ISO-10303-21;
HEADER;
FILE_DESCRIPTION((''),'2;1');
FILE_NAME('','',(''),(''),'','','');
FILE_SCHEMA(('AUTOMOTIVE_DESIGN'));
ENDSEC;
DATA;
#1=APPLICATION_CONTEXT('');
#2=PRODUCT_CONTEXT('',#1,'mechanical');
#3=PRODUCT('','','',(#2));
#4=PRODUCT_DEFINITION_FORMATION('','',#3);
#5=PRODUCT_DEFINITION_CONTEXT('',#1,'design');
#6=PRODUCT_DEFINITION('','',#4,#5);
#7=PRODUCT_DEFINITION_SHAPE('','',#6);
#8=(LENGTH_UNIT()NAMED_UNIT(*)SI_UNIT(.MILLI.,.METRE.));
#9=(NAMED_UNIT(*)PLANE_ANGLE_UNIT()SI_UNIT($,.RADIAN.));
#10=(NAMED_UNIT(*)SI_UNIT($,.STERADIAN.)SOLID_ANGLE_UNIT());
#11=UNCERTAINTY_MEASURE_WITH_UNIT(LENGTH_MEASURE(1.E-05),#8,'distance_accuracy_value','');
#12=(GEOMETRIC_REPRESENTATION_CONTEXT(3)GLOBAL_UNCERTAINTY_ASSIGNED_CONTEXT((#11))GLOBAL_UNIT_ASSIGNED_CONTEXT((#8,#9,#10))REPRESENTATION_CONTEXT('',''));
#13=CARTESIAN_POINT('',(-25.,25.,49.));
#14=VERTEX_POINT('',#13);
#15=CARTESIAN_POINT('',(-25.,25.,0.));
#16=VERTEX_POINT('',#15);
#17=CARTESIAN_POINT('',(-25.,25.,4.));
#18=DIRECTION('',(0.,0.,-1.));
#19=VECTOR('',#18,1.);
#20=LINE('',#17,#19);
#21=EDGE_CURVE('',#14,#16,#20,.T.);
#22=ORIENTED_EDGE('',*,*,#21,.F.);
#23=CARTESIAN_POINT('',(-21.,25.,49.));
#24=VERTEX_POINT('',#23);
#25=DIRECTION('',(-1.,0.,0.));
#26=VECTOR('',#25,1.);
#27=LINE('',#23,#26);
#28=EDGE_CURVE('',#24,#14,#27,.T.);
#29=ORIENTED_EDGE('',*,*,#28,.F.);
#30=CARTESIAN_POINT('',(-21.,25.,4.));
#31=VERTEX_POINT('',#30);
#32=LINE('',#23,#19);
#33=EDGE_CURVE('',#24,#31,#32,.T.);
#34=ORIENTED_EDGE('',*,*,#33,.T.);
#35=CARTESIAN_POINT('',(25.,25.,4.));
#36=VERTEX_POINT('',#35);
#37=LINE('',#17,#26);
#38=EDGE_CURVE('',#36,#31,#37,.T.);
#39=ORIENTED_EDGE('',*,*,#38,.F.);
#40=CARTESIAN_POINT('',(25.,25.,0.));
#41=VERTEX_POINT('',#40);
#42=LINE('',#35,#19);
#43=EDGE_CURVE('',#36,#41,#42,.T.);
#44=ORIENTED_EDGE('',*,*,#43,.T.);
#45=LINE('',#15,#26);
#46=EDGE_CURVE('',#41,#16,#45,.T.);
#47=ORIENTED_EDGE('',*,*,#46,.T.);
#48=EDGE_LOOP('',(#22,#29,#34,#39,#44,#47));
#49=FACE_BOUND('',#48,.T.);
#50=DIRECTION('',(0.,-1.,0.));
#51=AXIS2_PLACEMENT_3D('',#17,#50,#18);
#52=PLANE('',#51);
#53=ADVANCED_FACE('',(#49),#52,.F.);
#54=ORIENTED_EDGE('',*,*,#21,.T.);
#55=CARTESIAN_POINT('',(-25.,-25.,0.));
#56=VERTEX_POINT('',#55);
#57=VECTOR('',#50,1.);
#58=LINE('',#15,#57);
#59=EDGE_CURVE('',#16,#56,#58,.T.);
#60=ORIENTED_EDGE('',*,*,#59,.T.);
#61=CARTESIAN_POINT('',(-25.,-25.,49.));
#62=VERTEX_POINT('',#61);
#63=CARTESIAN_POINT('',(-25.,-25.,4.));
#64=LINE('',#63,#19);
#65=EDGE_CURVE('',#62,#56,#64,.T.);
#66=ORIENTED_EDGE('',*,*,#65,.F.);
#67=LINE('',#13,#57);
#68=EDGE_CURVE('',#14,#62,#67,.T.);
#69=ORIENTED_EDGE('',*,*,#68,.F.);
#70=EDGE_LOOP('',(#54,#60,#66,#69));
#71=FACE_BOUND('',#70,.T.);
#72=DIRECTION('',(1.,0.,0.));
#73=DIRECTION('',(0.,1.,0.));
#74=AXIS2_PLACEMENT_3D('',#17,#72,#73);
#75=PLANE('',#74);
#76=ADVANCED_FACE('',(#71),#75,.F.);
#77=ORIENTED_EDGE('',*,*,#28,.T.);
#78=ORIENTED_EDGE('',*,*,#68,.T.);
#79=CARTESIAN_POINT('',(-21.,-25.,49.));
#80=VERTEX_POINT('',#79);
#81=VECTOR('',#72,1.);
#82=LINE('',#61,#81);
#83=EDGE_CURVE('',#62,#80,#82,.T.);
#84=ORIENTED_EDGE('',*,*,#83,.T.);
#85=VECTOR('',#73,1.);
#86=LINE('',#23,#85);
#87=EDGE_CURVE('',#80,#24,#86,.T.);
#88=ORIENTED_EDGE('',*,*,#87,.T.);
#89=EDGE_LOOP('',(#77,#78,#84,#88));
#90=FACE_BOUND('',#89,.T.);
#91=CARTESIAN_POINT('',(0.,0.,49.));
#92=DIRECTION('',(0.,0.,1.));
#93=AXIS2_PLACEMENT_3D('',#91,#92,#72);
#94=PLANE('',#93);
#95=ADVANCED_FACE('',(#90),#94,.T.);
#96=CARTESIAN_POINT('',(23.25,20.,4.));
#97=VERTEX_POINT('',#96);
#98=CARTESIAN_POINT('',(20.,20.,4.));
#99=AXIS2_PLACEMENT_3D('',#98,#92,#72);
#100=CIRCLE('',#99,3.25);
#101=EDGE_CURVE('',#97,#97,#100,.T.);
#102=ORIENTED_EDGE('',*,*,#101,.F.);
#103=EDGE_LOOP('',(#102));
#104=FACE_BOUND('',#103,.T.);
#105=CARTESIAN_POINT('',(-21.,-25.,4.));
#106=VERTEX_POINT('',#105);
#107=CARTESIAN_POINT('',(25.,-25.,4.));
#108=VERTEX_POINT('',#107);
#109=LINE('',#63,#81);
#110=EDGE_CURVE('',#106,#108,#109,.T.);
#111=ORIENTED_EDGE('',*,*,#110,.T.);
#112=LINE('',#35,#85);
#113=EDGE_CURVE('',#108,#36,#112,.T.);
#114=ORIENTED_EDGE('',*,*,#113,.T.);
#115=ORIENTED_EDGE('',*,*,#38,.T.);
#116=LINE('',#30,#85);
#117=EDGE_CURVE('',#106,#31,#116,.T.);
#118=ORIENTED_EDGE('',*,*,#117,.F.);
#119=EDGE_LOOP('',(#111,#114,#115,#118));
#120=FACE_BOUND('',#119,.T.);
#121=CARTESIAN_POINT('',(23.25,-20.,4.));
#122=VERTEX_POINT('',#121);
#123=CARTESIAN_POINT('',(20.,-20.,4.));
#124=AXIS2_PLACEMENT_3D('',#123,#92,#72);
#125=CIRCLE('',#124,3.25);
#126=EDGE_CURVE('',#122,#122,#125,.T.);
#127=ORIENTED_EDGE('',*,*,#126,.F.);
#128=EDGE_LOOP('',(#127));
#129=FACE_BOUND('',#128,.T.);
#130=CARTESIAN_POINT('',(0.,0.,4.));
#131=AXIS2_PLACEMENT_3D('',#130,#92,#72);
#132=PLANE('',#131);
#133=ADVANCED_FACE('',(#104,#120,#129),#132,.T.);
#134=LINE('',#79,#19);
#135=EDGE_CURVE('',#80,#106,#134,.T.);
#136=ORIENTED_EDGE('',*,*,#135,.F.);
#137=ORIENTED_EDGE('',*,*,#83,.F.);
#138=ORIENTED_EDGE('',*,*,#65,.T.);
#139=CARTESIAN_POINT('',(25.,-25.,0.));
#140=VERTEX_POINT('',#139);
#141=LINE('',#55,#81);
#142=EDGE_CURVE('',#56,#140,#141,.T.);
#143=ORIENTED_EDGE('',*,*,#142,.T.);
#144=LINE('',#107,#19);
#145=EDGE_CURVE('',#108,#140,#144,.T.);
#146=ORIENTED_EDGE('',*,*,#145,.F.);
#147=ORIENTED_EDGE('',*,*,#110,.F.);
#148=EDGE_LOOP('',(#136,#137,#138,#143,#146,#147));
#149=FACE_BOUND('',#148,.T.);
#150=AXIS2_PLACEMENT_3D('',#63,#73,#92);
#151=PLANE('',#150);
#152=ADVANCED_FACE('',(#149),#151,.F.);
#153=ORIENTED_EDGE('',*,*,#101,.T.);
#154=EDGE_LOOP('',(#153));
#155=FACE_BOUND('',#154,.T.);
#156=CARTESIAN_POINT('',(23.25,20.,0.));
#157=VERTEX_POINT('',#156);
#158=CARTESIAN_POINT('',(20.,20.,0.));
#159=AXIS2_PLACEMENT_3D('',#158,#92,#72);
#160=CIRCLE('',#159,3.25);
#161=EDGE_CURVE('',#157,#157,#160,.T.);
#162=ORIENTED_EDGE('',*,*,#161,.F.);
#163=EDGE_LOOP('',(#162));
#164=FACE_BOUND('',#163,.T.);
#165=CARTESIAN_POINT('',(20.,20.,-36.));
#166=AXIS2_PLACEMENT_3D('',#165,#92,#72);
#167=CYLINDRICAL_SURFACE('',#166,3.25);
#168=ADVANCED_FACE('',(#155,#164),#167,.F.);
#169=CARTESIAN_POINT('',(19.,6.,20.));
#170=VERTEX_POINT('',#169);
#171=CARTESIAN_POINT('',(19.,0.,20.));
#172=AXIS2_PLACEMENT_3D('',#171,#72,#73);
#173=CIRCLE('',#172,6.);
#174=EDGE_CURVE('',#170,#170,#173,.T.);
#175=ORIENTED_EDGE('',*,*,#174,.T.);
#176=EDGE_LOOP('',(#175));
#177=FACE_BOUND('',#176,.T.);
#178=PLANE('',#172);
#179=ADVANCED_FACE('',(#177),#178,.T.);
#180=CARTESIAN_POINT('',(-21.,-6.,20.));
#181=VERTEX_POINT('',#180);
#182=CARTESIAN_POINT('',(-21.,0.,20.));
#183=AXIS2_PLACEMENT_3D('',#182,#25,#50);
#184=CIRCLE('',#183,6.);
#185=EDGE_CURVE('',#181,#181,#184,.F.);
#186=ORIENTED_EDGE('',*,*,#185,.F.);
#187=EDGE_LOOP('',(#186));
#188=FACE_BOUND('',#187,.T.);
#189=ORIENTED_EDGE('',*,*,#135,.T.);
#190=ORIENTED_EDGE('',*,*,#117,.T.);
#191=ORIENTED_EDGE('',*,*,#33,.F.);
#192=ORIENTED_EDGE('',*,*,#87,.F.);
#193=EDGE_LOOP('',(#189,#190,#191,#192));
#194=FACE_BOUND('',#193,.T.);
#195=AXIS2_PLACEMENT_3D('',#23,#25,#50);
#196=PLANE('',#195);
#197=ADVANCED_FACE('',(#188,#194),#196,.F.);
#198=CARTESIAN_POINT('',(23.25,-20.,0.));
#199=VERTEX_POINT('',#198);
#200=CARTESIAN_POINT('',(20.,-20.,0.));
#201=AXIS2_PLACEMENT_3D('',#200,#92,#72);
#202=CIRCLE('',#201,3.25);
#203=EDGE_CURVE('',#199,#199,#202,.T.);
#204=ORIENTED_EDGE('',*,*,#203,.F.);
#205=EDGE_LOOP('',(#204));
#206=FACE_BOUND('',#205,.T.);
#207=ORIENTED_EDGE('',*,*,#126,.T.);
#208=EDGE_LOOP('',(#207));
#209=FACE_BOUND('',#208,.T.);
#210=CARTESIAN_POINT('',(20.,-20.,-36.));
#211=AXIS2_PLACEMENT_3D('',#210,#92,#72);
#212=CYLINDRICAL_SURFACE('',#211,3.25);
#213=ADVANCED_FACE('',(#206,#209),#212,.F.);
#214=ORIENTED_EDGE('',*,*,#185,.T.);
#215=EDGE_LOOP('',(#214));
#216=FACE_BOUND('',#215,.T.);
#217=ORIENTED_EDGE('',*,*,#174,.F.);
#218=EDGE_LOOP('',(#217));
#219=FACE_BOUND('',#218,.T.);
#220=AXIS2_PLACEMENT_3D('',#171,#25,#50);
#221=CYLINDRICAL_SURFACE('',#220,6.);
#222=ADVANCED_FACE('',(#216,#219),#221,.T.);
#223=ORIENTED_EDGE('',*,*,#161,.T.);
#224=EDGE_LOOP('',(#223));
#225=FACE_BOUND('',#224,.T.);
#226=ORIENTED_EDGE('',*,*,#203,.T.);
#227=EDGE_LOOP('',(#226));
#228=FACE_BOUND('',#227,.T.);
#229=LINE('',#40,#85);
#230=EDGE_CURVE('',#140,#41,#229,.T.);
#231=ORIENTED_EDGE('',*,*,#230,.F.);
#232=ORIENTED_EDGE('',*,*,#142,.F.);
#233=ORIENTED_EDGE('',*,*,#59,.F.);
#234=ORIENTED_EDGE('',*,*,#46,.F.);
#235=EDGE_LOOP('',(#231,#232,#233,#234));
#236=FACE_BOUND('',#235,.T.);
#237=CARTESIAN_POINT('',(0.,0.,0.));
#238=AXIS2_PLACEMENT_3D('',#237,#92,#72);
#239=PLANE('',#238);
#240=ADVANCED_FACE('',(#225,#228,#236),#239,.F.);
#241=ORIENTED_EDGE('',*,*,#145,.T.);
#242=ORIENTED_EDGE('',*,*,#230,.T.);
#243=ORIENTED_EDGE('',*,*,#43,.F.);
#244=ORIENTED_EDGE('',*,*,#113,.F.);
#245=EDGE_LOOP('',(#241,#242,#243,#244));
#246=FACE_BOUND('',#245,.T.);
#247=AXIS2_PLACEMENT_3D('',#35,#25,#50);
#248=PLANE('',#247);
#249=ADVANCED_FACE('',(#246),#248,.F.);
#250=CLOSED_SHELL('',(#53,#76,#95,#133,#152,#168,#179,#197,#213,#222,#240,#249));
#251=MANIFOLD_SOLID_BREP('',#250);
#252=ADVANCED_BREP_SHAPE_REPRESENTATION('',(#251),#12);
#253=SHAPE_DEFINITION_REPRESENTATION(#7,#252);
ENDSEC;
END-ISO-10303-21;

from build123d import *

# Parameters (mm, degrees)
SKETCH1_W           = 50
SKETCH1_H           = 50
BOSS_EXTRUDE1_DEPTH = 4
SKETCH2_W           = 4
SKETCH2_H           = 50
BOSS_EXTRUDE2_DEPTH = 45
SKETCH4_R           = 6
BOSS_EXTRUDE3_DEPTH = 40
SKETCH5_R           = 3.25
CUT_EXTRUDE1_DEPTH  = 40


with BuildPart() as part:
    # Sketch1 → Boss-Extrude1 (new body)
    with BuildSketch(Plane.XY):
        Rectangle(SKETCH1_W, SKETCH1_H)
    extrude(amount=BOSS_EXTRUDE1_DEPTH)

    # Sketch2 → Boss-Extrude2 (add)
    with BuildSketch(Plane.XY.offset(4)):
        with Locations((-23, 0)):
            Rectangle(SKETCH2_W, SKETCH2_H)
    extrude(amount=BOSS_EXTRUDE2_DEPTH)

    # Sketch4 → Boss-Extrude3 (add)
    with BuildSketch(Plane(origin=(-21, 0, 0), x_dir=(0, 0, -1), z_dir=(1, 0, 0))):
        with Locations(Location((-20, 0, 0), (0, 0, 270))):
            Circle(SKETCH4_R)
    extrude(amount=BOSS_EXTRUDE3_DEPTH)

    # Sketch5 → Cut-Extrude1 (cut)
    with BuildSketch(Plane.XY.offset(4)):
        with Locations((20, 20)):
            Circle(SKETCH5_R)
        with Locations((20, -20)):
            Circle(SKETCH5_R)
    extrude(amount=-CUT_EXTRUDE1_DEPTH, mode=Mode.SUBTRACT)


solid = part.part
